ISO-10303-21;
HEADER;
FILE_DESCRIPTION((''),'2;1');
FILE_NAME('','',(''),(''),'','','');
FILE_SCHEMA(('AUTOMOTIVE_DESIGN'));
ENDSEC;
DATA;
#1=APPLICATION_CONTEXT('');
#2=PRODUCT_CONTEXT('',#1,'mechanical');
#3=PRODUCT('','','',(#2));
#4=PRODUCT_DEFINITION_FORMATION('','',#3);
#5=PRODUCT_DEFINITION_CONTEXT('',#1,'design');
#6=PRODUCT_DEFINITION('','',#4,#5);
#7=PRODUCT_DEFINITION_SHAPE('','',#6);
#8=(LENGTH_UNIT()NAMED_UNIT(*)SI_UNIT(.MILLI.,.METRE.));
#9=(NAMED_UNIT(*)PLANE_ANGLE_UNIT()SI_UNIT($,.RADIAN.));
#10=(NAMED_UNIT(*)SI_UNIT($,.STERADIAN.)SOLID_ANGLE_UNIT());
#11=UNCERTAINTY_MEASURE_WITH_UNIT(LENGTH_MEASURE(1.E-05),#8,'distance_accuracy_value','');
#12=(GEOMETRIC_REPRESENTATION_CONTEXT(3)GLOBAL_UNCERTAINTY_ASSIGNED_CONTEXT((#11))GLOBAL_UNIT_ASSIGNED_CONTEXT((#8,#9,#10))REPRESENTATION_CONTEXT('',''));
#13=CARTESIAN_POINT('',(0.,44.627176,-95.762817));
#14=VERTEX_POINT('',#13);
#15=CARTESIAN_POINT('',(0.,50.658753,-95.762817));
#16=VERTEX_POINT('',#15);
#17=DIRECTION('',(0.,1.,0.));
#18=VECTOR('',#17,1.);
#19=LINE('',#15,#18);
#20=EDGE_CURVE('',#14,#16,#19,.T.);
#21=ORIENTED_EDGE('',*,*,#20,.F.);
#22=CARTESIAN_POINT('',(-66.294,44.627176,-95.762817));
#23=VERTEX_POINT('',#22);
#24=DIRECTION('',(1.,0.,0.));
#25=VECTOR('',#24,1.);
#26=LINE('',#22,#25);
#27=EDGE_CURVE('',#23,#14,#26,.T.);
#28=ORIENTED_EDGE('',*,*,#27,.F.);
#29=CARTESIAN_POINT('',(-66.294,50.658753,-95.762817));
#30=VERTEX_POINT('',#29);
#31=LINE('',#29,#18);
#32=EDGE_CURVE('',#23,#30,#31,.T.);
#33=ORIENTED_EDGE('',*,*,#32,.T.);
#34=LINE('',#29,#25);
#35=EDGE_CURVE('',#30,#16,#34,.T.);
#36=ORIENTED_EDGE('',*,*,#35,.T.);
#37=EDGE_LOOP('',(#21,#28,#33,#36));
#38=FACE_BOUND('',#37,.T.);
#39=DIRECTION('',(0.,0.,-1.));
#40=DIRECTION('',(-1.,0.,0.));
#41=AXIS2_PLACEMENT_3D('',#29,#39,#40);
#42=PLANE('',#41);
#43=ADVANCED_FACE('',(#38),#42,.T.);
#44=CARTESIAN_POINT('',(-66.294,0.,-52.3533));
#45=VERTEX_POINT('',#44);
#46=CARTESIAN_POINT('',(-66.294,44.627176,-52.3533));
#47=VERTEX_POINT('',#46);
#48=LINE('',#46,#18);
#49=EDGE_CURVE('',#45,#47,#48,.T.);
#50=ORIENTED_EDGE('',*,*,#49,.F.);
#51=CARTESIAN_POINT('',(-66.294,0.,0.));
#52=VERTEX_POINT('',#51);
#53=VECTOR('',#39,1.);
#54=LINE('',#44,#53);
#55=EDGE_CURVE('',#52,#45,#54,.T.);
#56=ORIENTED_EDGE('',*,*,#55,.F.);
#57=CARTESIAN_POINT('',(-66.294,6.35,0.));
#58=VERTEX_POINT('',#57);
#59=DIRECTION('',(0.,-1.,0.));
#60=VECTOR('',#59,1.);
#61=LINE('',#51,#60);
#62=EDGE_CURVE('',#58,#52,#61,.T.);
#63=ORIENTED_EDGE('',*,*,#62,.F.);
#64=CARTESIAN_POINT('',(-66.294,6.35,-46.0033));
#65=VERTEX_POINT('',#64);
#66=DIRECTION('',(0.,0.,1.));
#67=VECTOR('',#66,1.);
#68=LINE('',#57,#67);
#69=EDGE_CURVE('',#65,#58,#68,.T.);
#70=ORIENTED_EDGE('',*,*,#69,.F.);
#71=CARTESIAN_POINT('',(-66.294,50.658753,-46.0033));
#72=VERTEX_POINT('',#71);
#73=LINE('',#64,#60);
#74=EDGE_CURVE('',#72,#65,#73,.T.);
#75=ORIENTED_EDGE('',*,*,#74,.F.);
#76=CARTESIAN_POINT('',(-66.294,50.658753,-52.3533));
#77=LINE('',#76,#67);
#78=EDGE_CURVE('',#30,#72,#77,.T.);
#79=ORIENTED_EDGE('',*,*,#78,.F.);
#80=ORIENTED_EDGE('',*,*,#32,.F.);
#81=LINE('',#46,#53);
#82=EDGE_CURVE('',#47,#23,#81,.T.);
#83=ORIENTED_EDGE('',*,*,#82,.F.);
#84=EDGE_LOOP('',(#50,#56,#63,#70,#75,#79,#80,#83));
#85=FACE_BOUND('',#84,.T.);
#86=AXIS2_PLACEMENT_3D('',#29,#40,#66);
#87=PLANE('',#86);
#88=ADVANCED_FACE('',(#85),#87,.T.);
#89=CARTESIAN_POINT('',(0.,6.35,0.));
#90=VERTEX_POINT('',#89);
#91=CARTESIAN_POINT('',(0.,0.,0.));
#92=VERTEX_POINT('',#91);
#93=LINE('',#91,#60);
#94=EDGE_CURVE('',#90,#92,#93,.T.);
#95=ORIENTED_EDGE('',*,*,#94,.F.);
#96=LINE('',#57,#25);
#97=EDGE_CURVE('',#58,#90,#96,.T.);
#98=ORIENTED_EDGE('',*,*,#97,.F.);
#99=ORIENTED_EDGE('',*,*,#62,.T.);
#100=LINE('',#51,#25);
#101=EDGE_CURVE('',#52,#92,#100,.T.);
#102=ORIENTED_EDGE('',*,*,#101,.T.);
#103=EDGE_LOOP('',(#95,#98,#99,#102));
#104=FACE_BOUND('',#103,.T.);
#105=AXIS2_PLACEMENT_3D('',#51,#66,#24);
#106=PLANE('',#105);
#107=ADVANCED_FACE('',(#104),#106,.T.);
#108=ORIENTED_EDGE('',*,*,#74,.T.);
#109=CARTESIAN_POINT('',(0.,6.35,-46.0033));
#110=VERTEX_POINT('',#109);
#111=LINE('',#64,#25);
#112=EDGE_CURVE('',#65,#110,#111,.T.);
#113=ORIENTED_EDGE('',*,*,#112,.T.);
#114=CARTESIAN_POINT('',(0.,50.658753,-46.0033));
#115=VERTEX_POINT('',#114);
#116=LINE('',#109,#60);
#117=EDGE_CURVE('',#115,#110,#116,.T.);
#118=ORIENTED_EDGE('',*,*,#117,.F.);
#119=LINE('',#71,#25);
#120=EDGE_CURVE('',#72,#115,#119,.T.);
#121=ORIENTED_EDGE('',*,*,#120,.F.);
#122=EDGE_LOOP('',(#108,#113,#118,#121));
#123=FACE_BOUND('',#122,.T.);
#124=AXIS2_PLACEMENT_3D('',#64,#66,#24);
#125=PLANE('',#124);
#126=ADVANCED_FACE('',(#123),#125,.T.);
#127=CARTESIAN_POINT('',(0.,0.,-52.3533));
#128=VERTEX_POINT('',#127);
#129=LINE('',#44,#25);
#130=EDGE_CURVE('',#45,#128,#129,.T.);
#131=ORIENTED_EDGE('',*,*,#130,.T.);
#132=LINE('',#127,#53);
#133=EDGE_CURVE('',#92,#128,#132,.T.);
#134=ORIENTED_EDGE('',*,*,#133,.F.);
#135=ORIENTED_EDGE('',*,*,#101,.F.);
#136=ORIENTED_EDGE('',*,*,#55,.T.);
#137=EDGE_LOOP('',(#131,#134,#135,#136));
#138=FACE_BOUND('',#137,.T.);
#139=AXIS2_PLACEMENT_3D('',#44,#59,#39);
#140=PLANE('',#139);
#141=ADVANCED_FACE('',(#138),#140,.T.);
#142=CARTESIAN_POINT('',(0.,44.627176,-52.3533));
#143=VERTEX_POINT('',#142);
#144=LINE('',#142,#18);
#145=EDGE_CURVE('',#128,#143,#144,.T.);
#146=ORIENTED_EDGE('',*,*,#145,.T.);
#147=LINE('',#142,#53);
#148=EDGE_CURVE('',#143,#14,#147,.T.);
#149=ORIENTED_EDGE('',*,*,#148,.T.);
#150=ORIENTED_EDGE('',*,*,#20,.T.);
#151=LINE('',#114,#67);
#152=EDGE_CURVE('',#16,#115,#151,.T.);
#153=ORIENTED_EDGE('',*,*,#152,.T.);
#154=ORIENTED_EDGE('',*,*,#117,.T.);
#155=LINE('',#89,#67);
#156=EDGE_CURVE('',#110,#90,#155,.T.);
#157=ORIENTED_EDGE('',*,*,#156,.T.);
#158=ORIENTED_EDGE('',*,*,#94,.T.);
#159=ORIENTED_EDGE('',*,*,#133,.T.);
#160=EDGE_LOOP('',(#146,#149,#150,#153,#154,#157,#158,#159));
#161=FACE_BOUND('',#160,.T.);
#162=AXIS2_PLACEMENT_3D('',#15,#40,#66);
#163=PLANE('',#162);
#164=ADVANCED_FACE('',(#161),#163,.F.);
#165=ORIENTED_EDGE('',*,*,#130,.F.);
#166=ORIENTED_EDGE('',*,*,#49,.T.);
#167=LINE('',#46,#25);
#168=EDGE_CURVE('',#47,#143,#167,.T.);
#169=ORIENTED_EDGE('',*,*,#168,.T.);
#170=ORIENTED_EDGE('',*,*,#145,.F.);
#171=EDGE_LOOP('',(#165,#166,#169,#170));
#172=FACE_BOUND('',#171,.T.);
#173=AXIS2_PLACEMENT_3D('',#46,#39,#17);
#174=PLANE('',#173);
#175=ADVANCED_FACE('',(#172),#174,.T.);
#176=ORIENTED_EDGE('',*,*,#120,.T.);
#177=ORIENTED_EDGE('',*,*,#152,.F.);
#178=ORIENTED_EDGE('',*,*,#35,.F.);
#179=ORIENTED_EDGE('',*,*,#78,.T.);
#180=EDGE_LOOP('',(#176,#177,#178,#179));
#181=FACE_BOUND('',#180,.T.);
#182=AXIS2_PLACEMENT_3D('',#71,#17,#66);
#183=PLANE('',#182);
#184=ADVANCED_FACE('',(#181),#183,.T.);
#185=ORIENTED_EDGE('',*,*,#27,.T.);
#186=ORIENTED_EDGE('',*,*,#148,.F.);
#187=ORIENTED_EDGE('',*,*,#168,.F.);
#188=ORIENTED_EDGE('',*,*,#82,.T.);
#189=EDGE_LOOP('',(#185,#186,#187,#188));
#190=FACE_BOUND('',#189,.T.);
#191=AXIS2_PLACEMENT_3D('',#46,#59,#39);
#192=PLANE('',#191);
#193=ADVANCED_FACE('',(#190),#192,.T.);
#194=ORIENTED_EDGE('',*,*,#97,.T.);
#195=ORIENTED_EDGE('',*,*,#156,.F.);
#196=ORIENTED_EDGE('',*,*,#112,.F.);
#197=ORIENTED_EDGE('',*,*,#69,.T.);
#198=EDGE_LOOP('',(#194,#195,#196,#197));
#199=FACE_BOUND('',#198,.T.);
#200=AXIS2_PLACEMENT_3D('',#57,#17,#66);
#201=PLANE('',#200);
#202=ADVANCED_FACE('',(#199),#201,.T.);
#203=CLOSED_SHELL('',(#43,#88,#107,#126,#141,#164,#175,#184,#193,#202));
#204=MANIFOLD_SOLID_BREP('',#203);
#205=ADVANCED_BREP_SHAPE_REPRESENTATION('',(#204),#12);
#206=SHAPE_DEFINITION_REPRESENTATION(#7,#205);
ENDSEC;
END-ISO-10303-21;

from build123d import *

# Parameters (mm, degrees)
EXTRUDE4_DEPTH = 66.294


with BuildPart() as part:
    # Sketch10 → Extrude4 (new body)
    with BuildSketch(Plane(origin=(0, 0, 0), x_dir=(0, 0, -1), z_dir=(1, 0, 0))):
        Polygon((52.353300196, 44.627176404), (52.353300196, 0), (0, 0), (0, 6.35), (46.003300196, 6.35), (46.003300196, 50.658753449), (52.353300196, 50.658753449), (95.762817201, 50.658753449), (95.762817201, 44.627176404), align=None)
    extrude(amount=-EXTRUDE4_DEPTH)


solid = part.part
